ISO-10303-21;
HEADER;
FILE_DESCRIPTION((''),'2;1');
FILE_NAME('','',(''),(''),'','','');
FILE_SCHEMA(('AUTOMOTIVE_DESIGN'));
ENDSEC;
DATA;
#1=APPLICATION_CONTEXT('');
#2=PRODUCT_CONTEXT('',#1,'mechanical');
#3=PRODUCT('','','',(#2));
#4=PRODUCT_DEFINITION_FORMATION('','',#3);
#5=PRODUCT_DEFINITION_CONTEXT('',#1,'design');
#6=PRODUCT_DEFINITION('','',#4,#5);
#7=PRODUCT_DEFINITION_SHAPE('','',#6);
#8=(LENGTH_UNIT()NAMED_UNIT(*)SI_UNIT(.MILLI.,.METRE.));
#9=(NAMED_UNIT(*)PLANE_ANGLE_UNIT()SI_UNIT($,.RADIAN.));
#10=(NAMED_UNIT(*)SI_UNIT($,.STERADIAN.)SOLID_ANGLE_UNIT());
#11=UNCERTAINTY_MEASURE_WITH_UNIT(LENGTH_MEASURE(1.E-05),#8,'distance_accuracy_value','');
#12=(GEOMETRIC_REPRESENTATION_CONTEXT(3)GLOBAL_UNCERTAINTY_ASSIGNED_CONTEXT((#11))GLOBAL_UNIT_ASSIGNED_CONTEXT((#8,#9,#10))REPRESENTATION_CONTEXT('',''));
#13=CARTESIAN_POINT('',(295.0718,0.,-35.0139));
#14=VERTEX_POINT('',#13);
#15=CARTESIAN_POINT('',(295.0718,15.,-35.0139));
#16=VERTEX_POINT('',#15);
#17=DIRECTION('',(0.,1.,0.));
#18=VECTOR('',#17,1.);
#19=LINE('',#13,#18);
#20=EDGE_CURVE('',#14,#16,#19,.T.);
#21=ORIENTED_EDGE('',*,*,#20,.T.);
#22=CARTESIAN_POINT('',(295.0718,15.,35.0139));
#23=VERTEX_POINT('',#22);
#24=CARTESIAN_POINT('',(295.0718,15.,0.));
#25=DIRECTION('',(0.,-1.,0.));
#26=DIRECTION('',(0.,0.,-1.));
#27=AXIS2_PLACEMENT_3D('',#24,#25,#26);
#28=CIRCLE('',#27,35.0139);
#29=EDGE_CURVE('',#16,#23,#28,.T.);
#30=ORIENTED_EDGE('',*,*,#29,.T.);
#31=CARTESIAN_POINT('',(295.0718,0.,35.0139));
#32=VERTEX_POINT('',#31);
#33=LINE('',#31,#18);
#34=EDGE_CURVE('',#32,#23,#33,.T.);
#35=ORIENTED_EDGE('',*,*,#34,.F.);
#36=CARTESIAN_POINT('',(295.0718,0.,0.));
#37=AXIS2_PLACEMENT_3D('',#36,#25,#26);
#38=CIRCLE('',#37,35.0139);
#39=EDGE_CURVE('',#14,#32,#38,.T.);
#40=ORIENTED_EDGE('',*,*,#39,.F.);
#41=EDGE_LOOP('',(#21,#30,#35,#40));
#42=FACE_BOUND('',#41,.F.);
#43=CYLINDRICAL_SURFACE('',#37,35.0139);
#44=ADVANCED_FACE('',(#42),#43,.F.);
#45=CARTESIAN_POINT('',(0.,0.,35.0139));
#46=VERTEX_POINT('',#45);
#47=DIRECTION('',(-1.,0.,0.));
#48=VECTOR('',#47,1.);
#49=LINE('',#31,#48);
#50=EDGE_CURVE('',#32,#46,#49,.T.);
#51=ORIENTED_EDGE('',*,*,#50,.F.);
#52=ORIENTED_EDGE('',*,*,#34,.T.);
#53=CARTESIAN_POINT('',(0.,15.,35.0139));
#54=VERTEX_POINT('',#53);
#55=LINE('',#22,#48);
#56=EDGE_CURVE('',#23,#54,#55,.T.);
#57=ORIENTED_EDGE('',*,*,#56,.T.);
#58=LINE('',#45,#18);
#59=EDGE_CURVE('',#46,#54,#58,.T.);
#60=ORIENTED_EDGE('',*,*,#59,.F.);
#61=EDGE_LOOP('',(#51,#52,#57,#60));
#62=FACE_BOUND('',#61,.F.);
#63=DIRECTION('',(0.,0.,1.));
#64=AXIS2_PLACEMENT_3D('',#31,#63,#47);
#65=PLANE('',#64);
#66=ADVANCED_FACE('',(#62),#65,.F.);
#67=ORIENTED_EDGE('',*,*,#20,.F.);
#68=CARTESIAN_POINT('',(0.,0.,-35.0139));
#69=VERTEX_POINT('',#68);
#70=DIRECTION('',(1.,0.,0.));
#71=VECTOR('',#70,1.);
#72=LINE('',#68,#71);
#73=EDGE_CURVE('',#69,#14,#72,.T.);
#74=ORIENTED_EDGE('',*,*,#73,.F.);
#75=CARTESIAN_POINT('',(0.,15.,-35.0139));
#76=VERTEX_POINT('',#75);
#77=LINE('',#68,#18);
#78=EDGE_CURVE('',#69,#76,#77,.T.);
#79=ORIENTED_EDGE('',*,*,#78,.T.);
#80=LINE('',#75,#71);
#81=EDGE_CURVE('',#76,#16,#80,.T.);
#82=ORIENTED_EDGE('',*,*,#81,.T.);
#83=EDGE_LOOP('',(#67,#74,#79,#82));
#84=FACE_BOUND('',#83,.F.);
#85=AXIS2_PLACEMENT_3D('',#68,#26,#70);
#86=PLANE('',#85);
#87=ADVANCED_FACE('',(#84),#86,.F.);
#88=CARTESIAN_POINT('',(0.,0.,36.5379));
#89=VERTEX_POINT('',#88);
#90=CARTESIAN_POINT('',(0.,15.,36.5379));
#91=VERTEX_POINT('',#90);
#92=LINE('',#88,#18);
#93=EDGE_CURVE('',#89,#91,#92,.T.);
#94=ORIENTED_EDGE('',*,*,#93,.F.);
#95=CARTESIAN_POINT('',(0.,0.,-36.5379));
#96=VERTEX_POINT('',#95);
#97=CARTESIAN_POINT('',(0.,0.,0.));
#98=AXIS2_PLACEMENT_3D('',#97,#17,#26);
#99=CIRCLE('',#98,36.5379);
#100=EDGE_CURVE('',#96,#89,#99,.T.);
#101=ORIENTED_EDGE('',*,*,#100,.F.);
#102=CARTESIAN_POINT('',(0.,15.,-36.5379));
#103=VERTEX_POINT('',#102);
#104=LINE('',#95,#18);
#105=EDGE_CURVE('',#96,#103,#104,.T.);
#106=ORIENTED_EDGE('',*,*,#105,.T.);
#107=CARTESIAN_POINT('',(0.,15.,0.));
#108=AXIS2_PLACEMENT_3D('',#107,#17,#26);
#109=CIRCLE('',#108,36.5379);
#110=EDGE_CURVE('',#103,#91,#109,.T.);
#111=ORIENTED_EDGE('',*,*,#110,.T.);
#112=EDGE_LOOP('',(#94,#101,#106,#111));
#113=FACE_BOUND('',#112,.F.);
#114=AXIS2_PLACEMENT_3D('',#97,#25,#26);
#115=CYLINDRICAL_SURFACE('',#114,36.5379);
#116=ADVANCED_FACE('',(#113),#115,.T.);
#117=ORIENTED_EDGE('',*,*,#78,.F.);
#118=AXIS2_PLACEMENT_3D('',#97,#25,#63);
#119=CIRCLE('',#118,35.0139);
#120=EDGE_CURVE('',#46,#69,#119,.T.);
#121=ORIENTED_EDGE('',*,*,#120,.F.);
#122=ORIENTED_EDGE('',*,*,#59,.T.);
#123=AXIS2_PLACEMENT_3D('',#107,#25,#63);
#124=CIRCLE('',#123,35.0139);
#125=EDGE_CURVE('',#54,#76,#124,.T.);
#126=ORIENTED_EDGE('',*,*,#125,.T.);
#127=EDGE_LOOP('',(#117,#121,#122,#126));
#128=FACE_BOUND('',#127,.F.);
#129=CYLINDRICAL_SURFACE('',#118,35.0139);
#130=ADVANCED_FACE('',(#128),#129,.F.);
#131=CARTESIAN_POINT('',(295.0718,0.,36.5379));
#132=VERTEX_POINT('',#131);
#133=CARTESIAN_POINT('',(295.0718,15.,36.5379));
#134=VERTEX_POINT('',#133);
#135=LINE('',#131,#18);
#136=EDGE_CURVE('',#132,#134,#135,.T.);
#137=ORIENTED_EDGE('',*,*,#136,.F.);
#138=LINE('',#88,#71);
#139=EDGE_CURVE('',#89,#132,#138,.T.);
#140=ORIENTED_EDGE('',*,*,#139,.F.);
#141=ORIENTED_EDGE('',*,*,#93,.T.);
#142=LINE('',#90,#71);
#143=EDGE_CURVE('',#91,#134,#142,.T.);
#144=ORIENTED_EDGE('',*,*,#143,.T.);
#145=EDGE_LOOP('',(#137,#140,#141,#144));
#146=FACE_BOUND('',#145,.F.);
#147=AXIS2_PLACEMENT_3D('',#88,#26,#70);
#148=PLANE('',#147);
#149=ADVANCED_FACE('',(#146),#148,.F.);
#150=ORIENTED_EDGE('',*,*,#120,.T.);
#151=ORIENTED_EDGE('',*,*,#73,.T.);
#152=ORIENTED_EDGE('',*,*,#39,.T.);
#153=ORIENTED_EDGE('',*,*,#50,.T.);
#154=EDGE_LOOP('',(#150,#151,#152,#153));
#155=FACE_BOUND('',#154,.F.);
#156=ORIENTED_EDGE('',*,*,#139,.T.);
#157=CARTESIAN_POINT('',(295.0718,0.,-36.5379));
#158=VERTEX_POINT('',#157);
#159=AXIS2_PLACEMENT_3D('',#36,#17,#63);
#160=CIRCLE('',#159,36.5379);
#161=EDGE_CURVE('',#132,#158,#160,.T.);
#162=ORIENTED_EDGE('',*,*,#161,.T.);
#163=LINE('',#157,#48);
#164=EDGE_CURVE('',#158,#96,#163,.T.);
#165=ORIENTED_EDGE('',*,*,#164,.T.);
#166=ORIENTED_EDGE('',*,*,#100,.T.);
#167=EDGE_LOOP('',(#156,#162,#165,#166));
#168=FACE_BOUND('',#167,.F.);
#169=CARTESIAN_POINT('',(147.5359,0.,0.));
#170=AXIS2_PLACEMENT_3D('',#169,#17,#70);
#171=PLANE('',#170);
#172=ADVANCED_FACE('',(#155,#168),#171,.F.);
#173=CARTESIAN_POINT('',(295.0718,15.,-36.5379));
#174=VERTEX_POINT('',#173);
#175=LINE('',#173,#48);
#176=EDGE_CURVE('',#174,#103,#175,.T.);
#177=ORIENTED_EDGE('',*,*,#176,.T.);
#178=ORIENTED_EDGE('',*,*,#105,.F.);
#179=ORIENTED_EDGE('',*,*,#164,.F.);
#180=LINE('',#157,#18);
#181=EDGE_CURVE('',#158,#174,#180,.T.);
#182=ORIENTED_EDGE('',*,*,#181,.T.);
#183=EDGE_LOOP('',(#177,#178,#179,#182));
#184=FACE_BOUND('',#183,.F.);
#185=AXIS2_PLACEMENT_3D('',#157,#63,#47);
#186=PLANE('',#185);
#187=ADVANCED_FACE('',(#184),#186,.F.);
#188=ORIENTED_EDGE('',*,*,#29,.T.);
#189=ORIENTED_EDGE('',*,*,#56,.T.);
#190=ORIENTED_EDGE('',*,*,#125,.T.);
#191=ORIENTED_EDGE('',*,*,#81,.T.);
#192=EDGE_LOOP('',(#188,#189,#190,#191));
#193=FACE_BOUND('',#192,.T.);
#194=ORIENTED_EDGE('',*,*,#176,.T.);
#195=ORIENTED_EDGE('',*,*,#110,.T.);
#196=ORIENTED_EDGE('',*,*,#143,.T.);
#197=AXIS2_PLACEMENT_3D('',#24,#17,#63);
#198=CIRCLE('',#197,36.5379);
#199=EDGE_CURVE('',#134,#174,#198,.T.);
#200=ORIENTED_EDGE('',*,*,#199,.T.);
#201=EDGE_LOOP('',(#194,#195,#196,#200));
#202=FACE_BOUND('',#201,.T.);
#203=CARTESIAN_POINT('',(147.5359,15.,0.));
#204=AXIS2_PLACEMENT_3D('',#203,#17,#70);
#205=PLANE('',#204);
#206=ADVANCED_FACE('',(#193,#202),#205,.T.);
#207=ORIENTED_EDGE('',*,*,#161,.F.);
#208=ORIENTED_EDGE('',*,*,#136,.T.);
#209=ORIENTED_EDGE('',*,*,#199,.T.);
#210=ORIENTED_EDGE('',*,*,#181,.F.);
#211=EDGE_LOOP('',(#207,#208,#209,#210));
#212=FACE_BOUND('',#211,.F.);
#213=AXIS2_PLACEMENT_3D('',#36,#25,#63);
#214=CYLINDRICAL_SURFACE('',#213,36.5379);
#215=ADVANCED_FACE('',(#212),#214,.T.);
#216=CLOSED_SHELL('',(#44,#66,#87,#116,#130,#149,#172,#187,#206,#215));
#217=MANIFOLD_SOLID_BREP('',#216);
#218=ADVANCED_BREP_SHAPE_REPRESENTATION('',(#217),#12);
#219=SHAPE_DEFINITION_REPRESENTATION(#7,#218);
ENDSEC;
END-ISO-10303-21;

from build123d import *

# Parameters (mm, degrees)
BOSS_EXTRUDE1_DEPTH = 15


with BuildPart() as part:
    # Sketch1 → Boss-Extrude1 (new body)
    with BuildSketch(Plane(origin=(0, 0, 0), x_dir=(1, 0, 0), z_dir=(0, 1, 0))):
        with BuildLine():
            Line((0, -36.5379), (295.0718, -36.5379))
            ThreePointArc((295.0718, -36.5379), (331.6097, 0), (295.0718, 36.5379))
            Line((295.0718, 36.5379), (0, 36.5379))
            ThreePointArc((0, 36.5379), (-36.5379, 0), (0, -36.5379))
        make_face()
        with BuildLine():
            Line((0, 35.0139), (295.0718, 35.0139))
            ThreePointArc((295.0718, 35.0139), (330.0857, 0), (295.0718, -35.0139))
            Line((295.0718, -35.0139), (0, -35.0139))
            ThreePointArc((0, -35.0139), (-35.0139, 0), (0, 35.0139))
        make_face(mode=Mode.SUBTRACT)
    extrude(amount=BOSS_EXTRUDE1_DEPTH)


solid = part.part
